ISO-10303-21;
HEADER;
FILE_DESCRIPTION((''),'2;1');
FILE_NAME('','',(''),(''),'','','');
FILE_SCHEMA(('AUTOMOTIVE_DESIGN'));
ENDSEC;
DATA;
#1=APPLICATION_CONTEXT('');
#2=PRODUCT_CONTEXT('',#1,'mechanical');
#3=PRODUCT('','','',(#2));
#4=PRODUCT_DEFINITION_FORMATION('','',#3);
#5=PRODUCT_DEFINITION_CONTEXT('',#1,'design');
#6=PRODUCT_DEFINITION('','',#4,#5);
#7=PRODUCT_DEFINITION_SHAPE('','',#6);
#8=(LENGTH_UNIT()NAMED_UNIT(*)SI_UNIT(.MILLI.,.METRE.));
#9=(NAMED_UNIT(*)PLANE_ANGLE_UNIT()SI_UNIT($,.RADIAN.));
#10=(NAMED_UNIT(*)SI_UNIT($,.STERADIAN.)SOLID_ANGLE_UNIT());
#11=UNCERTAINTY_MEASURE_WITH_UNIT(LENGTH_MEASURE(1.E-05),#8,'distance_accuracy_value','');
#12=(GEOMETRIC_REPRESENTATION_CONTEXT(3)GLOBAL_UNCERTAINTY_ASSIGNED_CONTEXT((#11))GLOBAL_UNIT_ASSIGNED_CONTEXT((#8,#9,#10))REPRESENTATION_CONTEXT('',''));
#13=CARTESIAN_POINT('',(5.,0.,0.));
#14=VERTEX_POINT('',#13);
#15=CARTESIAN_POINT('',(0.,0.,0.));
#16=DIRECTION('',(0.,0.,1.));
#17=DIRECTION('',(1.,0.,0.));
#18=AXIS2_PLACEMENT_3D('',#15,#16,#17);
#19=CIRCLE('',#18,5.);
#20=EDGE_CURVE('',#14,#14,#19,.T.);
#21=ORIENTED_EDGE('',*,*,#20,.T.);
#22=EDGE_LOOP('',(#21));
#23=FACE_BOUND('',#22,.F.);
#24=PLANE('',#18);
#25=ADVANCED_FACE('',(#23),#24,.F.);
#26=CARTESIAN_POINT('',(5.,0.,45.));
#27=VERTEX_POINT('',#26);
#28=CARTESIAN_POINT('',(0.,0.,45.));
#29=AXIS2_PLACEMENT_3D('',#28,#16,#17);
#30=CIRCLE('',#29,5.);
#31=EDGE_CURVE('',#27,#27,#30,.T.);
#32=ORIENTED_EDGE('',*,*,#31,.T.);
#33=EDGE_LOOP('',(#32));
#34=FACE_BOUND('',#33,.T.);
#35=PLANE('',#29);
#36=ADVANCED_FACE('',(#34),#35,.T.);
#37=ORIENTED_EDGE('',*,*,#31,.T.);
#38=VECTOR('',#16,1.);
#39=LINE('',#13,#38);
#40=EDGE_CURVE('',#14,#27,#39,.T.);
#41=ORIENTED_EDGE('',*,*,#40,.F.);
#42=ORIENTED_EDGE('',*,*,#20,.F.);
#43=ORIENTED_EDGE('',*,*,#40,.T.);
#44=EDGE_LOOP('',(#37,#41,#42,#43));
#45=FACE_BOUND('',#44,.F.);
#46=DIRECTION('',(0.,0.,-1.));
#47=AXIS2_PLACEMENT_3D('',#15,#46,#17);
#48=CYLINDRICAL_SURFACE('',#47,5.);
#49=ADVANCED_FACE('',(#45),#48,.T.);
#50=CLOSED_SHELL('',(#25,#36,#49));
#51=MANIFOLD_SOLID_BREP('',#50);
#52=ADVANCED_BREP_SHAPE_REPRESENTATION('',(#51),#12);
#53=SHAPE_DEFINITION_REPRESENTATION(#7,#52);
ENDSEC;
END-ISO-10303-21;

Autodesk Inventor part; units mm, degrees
ref_plane "YZ Plane" through (0, 0, 0) normal (1, 0, 0) x (0, 1, 0)
ref_plane "XZ Plane" through (0, 0, 0) normal (0, 1, 0) x (-1, 0, 0)
ref_plane "XY Plane" through (0, 0, 0) normal (0, 0, 1) x (1, 0, 0)
sketch "Sketch1" plane through (0, 0, 0) normal (0, 0, 1) x (1, 0, 0)
  circle A0 centre (0, 0) radius 5
  dimension "d0" = 10
extrude "Extrusion1" add sketch "Sketch1" along normal blind 45
properties part number "10x45mm_Rod"
